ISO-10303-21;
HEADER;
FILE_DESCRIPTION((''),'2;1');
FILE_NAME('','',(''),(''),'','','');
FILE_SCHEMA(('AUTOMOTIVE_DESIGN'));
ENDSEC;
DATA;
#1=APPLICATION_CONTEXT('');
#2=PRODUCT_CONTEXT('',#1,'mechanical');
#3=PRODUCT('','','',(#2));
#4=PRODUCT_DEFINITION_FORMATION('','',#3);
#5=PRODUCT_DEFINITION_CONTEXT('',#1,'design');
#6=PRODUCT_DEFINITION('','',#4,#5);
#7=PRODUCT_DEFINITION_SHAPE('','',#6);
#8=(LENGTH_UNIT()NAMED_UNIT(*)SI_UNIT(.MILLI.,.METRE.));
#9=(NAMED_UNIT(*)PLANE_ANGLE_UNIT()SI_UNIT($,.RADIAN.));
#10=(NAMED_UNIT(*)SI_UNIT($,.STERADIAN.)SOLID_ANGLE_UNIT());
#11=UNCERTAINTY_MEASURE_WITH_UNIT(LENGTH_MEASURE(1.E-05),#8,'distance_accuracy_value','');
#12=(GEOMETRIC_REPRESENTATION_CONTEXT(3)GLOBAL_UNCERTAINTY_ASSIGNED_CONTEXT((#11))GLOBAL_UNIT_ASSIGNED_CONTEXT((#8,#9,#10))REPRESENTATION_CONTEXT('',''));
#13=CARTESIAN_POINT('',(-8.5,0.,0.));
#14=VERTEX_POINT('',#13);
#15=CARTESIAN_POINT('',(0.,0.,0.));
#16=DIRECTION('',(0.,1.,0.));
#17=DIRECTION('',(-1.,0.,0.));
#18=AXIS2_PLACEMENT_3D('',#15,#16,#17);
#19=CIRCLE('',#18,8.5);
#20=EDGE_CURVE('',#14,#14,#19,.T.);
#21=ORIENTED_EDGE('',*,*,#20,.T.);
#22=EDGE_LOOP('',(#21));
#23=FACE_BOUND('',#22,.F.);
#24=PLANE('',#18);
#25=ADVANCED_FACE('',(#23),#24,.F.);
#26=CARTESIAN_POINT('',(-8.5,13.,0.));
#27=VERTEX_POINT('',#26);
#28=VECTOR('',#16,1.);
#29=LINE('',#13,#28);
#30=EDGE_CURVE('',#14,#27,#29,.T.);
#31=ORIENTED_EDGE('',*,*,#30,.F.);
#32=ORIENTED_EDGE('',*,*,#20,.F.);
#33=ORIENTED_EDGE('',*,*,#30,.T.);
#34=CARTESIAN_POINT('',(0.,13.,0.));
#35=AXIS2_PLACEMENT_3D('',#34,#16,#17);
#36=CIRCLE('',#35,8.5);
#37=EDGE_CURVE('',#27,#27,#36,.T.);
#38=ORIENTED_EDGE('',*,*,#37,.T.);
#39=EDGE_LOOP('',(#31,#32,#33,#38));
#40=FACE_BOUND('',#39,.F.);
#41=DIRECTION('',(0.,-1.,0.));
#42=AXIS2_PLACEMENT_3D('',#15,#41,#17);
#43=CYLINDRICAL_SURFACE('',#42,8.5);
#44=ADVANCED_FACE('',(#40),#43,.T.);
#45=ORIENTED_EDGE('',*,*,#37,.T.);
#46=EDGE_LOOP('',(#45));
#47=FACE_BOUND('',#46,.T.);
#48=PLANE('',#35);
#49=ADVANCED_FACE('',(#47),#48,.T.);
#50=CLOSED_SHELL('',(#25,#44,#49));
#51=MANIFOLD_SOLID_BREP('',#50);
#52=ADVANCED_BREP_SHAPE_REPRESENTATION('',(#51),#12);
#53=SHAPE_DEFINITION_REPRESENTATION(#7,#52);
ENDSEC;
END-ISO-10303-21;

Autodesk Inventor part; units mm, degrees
ref_plane "YZ Plane" through (0, 0, 0) normal (1, 0, 0) x (0, 1, 0)
ref_plane "XZ Plane" through (0, 0, 0) normal (0, 1, 0) x (-1, 0, 0)
ref_plane "XY Plane" through (0, 0, 0) normal (0, 0, 1) x (1, 0, 0)
sketch "Sketch1" plane through (0, 0, 0) normal (0, 1, 0) x (-1, 0, 0)
  circle A0 centre (0, 0) radius 8.5
  dimension "d0" = 17
extrude "Extrusion1" add sketch "Sketch1" along normal blind 13
properties part number "Cam_antenna"
